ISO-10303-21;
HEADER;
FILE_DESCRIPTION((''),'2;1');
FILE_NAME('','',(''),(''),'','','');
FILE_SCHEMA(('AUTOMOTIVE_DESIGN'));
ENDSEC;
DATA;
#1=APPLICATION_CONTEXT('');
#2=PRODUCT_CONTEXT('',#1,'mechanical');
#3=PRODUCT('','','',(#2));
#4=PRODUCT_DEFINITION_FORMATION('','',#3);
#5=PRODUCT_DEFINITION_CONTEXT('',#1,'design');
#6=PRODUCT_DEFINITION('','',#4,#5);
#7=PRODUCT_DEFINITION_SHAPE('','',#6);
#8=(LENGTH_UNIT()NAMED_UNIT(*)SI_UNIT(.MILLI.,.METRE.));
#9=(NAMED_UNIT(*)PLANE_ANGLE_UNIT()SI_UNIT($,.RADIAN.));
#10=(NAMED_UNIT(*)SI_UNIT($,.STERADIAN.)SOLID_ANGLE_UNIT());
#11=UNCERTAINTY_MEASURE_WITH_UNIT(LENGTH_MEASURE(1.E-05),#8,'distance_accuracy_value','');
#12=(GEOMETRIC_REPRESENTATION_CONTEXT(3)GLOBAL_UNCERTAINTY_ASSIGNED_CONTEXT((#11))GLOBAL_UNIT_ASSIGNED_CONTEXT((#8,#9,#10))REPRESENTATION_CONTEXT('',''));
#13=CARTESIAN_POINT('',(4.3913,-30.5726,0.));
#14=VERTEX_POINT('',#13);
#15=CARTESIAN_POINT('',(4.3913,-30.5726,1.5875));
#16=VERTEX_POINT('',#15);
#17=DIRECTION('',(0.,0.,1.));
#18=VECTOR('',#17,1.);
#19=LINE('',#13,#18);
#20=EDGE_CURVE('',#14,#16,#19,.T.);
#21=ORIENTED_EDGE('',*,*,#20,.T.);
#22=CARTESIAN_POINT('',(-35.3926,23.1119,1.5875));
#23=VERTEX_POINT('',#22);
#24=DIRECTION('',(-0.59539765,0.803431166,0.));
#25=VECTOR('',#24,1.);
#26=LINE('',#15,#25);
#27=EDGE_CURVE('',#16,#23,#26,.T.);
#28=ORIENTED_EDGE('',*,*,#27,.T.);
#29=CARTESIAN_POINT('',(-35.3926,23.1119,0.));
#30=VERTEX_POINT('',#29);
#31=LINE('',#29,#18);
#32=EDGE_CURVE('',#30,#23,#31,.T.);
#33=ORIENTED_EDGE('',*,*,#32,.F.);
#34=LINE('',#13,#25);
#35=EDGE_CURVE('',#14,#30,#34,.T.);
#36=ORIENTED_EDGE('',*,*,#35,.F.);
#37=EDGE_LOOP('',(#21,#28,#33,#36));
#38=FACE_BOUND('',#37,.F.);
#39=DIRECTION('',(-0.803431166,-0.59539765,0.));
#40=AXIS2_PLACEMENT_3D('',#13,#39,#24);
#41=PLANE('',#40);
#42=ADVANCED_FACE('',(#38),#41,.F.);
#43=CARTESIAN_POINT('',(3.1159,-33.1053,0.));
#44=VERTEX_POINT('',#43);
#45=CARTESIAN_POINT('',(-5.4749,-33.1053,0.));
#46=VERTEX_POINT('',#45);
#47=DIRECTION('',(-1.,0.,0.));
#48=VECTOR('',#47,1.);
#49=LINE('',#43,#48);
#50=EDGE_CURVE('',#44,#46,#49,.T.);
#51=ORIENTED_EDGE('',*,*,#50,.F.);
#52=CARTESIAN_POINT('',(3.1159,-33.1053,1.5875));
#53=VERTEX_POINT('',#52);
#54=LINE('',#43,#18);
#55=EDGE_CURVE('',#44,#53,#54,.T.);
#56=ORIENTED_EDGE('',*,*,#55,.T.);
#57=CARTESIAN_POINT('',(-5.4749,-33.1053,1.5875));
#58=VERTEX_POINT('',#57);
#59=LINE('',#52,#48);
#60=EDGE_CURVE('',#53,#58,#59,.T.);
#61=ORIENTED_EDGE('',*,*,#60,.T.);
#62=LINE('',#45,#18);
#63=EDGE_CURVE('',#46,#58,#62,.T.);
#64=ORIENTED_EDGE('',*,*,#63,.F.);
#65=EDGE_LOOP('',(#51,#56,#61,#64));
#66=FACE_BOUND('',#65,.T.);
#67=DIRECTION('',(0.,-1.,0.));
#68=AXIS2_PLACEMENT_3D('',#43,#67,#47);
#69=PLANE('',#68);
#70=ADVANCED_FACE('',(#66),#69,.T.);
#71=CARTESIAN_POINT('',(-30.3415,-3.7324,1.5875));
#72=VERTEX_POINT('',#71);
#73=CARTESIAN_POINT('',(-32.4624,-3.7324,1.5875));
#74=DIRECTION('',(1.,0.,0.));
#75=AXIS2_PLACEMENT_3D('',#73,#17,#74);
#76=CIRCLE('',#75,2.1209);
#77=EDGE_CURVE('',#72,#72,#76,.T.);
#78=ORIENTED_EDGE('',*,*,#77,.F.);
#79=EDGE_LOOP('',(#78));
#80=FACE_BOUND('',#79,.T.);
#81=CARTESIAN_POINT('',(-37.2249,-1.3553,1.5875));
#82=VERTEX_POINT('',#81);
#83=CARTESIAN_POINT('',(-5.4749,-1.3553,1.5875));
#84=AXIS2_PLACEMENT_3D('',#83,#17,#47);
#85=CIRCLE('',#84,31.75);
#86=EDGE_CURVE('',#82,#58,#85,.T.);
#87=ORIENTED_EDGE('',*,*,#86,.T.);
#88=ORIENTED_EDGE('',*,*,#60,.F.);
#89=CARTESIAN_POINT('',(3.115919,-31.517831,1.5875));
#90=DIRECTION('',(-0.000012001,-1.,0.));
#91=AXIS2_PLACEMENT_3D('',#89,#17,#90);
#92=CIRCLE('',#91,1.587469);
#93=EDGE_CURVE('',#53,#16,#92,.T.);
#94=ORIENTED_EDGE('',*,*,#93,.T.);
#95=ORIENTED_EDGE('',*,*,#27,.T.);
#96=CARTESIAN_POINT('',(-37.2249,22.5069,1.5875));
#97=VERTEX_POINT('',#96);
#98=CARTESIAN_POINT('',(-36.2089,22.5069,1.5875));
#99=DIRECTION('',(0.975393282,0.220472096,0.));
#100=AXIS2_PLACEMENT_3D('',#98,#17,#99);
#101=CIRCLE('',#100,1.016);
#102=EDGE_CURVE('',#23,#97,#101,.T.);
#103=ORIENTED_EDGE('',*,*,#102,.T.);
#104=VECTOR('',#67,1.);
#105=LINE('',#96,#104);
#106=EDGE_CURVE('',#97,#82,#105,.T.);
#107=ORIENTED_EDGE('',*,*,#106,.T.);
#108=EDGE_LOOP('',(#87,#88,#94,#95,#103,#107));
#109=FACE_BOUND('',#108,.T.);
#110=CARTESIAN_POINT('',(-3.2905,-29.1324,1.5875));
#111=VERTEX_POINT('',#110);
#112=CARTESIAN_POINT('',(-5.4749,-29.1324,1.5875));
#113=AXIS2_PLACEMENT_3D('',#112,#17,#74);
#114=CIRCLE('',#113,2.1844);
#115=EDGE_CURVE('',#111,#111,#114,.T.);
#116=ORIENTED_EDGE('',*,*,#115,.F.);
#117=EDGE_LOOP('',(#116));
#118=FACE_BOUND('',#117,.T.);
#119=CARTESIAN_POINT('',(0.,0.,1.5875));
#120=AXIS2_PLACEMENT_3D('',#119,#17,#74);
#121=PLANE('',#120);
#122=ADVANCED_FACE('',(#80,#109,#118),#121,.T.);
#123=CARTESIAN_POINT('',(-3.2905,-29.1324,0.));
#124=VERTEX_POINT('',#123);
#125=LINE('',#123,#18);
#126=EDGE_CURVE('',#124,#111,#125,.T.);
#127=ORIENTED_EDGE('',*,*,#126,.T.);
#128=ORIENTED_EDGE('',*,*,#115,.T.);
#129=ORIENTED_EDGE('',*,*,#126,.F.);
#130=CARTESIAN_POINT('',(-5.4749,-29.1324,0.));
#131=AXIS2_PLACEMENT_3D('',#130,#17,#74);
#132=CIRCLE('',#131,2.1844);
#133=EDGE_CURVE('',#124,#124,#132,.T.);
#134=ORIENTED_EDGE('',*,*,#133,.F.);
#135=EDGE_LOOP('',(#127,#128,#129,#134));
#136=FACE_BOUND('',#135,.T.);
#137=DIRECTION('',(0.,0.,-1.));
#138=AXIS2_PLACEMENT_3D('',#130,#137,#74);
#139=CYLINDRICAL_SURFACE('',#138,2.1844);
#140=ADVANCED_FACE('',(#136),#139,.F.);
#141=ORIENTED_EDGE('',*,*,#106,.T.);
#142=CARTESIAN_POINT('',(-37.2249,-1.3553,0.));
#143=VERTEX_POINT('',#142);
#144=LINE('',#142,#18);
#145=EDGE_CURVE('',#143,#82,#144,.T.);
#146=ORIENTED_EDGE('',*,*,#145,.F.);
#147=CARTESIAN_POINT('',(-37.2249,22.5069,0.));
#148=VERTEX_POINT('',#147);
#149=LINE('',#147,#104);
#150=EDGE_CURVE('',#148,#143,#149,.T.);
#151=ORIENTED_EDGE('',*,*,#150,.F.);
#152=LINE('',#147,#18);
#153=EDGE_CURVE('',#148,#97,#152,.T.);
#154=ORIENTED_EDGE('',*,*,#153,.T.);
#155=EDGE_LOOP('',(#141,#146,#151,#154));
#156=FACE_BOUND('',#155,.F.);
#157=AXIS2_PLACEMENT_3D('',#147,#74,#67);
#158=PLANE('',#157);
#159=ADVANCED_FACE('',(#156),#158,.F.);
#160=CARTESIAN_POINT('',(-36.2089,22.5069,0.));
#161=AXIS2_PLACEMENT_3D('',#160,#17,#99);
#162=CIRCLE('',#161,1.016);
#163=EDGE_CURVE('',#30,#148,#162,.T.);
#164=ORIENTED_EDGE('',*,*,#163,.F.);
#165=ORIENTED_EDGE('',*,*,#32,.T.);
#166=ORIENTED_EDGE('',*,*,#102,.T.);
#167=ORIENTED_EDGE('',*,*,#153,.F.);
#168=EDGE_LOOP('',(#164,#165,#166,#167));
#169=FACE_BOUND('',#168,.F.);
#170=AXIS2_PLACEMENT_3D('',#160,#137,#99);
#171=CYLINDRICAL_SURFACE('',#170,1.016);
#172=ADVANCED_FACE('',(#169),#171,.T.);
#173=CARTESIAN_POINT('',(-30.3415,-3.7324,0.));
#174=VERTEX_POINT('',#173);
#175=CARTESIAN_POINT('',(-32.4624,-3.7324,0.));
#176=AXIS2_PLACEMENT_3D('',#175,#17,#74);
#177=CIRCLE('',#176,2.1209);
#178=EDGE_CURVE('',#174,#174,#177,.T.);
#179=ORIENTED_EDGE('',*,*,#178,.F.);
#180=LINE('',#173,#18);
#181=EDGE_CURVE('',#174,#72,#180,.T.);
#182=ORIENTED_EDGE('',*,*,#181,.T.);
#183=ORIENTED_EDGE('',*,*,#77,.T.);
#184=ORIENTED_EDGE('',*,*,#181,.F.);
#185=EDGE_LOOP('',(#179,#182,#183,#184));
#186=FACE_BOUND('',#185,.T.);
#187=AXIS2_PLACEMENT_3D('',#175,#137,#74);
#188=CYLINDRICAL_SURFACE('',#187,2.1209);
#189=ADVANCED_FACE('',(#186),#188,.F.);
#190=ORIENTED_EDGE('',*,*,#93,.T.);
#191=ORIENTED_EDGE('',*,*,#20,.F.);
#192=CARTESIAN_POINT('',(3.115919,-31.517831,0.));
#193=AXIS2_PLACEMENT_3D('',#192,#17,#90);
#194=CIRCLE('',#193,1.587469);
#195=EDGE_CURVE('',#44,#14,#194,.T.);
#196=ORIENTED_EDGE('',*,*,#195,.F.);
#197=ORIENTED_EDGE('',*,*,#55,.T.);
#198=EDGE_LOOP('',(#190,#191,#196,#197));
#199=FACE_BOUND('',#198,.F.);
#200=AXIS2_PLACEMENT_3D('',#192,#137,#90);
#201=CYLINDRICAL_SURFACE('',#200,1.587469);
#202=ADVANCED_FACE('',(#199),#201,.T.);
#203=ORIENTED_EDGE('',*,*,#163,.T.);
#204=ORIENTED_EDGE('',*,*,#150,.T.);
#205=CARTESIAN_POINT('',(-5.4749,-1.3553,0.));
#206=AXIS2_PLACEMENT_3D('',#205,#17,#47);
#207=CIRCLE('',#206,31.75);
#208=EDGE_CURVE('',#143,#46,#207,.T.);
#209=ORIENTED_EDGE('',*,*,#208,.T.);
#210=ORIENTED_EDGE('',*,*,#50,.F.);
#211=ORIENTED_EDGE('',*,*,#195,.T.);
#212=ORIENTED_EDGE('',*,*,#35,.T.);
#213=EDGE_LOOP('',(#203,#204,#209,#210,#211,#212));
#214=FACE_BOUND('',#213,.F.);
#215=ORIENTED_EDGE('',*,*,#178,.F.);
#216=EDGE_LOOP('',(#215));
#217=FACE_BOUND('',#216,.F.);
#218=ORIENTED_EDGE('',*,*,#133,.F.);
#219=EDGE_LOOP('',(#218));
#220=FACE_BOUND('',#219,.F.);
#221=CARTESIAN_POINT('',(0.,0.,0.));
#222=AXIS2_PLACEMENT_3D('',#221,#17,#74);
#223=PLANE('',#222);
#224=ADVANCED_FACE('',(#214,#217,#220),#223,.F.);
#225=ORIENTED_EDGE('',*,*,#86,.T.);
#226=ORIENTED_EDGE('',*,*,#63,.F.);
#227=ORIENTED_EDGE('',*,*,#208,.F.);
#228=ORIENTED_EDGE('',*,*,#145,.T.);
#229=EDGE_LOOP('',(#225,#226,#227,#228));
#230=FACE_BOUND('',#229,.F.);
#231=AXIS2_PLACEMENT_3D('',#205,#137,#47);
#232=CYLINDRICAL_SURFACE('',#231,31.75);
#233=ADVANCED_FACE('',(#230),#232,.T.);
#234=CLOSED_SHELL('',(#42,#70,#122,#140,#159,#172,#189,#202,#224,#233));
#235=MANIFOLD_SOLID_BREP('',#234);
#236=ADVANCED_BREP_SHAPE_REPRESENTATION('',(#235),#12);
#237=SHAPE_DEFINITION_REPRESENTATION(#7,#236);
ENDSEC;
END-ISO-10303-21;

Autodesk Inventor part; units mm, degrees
ref_plane "YZ Plane" through (0, 0, 0) normal (1, 0, 0) x (0, 1, 0)
ref_plane "XZ Plane" through (0, 0, 0) normal (0, 1, 0) x (-1, 0, 0)
ref_plane "XY Plane" through (0, 0, 0) normal (0, 0, 1) x (1, 0, 0)
sketch "Sketch1" plane through (0, 0, 0) normal (0, 0, 1) x (1, 0, 0)
  circle A0 centre (-5.4749, -29.1324) radius 2.1844
  line L0 (-37.2249, 22.5069) -> (-37.2249, -1.3553)
  arc A1 (-35.2179, 22.7309) -> (-37.2249, 22.5069) centre (-36.2089, 22.5069) ccw
  line L1 (3.1159, -33.1053) -> (-5.4749, -33.1053)
  arc A2 (3.1159, -33.1053) -> (4.3913, -30.5726) centre (3.1159, -31.5178) ccw
  arc A3 (-37.2249, -1.3553) -> (-5.4749, -33.1053) centre (-5.4749, -1.3553) ccw
  circle A4 centre (-32.4624, -3.7324) radius 2.1209
  line L2 (4.3913, -30.5726) -> (-35.3926, 23.1119)
  point P0 (0, 0)
  point P1 (-37.2249, 40.7176)
  point P2 (9.6063, -33.1053)
  dimension "d0" = 1.016
  dimension "d1" = 1.5875
  dimension "d2" = 31.75
extrude "Extrusion1" add sketch "Sketch1" along normal blind 1.5875
properties part number "ramp_v2"
